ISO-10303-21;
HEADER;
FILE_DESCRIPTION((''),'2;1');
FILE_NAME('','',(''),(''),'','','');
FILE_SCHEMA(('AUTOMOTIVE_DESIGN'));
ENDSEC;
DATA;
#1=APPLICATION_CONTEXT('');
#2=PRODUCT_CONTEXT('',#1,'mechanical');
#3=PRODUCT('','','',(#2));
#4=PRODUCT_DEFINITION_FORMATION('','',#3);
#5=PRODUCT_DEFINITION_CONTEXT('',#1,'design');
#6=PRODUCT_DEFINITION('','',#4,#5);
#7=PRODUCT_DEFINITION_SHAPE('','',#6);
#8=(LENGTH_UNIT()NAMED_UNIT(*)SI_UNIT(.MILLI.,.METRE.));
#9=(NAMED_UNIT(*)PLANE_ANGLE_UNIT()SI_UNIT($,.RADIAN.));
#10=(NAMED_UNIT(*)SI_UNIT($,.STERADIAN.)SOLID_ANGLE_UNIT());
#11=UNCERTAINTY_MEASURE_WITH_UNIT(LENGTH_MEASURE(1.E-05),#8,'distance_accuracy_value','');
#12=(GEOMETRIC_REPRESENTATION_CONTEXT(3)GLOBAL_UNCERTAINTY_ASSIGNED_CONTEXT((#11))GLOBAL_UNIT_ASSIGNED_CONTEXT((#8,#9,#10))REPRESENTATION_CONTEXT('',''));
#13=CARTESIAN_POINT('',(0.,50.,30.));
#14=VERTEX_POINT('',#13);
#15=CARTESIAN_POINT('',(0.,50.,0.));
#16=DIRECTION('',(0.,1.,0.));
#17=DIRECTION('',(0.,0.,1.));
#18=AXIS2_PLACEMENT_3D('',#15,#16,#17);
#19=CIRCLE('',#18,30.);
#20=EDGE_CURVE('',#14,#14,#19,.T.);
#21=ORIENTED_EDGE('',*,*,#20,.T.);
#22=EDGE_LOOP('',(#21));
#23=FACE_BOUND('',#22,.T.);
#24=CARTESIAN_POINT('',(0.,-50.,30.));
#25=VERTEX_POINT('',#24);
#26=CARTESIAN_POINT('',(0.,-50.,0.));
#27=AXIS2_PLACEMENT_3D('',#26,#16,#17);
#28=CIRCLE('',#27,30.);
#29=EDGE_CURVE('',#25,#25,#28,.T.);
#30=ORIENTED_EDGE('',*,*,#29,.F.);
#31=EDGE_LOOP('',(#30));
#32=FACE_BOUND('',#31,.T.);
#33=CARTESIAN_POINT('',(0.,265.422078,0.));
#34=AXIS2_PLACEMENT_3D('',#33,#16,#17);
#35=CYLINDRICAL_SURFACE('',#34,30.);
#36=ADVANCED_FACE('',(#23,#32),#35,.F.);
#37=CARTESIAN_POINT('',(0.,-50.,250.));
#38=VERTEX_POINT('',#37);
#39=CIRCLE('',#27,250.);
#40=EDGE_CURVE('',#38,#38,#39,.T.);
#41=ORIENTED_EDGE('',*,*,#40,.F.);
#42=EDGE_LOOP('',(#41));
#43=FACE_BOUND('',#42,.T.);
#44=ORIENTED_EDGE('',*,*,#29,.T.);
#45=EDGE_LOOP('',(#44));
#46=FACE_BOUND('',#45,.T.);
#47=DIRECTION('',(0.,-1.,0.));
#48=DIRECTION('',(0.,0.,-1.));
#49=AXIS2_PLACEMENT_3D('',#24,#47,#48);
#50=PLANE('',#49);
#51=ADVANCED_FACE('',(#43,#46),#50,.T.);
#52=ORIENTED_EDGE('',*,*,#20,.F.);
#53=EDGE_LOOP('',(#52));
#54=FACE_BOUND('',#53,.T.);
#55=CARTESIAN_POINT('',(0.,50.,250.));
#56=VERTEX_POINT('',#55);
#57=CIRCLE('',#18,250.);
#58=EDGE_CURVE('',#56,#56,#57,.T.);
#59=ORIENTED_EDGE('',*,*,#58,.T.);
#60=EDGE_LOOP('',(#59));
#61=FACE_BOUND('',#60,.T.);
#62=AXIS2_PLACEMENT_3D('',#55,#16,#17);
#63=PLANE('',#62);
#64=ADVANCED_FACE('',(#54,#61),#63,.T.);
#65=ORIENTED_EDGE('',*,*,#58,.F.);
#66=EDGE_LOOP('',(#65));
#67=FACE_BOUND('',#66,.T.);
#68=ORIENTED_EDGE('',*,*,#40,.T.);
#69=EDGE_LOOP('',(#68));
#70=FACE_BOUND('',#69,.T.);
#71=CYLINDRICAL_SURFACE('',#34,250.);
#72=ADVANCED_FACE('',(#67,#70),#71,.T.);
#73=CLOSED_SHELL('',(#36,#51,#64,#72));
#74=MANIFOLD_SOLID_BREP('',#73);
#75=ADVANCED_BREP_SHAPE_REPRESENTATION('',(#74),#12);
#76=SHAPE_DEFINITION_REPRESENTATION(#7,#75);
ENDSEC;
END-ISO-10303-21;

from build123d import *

# Parameters (mm, degrees)
SKETCH1_W = 220
SKETCH1_H = 100


with BuildPart() as part:
    # Sketch1 → Revolve1 (revolve)
    with BuildSketch(Plane(origin=(0, 0, 0), x_dir=(0, 0, -1), z_dir=(1, 0, 0))):
        with Locations((-140, 0)):
            Rectangle(SKETCH1_W, SKETCH1_H)
    revolve(axis=Axis((0, 265.422077922, 0), (0, -1, 0)))


solid = part.part
